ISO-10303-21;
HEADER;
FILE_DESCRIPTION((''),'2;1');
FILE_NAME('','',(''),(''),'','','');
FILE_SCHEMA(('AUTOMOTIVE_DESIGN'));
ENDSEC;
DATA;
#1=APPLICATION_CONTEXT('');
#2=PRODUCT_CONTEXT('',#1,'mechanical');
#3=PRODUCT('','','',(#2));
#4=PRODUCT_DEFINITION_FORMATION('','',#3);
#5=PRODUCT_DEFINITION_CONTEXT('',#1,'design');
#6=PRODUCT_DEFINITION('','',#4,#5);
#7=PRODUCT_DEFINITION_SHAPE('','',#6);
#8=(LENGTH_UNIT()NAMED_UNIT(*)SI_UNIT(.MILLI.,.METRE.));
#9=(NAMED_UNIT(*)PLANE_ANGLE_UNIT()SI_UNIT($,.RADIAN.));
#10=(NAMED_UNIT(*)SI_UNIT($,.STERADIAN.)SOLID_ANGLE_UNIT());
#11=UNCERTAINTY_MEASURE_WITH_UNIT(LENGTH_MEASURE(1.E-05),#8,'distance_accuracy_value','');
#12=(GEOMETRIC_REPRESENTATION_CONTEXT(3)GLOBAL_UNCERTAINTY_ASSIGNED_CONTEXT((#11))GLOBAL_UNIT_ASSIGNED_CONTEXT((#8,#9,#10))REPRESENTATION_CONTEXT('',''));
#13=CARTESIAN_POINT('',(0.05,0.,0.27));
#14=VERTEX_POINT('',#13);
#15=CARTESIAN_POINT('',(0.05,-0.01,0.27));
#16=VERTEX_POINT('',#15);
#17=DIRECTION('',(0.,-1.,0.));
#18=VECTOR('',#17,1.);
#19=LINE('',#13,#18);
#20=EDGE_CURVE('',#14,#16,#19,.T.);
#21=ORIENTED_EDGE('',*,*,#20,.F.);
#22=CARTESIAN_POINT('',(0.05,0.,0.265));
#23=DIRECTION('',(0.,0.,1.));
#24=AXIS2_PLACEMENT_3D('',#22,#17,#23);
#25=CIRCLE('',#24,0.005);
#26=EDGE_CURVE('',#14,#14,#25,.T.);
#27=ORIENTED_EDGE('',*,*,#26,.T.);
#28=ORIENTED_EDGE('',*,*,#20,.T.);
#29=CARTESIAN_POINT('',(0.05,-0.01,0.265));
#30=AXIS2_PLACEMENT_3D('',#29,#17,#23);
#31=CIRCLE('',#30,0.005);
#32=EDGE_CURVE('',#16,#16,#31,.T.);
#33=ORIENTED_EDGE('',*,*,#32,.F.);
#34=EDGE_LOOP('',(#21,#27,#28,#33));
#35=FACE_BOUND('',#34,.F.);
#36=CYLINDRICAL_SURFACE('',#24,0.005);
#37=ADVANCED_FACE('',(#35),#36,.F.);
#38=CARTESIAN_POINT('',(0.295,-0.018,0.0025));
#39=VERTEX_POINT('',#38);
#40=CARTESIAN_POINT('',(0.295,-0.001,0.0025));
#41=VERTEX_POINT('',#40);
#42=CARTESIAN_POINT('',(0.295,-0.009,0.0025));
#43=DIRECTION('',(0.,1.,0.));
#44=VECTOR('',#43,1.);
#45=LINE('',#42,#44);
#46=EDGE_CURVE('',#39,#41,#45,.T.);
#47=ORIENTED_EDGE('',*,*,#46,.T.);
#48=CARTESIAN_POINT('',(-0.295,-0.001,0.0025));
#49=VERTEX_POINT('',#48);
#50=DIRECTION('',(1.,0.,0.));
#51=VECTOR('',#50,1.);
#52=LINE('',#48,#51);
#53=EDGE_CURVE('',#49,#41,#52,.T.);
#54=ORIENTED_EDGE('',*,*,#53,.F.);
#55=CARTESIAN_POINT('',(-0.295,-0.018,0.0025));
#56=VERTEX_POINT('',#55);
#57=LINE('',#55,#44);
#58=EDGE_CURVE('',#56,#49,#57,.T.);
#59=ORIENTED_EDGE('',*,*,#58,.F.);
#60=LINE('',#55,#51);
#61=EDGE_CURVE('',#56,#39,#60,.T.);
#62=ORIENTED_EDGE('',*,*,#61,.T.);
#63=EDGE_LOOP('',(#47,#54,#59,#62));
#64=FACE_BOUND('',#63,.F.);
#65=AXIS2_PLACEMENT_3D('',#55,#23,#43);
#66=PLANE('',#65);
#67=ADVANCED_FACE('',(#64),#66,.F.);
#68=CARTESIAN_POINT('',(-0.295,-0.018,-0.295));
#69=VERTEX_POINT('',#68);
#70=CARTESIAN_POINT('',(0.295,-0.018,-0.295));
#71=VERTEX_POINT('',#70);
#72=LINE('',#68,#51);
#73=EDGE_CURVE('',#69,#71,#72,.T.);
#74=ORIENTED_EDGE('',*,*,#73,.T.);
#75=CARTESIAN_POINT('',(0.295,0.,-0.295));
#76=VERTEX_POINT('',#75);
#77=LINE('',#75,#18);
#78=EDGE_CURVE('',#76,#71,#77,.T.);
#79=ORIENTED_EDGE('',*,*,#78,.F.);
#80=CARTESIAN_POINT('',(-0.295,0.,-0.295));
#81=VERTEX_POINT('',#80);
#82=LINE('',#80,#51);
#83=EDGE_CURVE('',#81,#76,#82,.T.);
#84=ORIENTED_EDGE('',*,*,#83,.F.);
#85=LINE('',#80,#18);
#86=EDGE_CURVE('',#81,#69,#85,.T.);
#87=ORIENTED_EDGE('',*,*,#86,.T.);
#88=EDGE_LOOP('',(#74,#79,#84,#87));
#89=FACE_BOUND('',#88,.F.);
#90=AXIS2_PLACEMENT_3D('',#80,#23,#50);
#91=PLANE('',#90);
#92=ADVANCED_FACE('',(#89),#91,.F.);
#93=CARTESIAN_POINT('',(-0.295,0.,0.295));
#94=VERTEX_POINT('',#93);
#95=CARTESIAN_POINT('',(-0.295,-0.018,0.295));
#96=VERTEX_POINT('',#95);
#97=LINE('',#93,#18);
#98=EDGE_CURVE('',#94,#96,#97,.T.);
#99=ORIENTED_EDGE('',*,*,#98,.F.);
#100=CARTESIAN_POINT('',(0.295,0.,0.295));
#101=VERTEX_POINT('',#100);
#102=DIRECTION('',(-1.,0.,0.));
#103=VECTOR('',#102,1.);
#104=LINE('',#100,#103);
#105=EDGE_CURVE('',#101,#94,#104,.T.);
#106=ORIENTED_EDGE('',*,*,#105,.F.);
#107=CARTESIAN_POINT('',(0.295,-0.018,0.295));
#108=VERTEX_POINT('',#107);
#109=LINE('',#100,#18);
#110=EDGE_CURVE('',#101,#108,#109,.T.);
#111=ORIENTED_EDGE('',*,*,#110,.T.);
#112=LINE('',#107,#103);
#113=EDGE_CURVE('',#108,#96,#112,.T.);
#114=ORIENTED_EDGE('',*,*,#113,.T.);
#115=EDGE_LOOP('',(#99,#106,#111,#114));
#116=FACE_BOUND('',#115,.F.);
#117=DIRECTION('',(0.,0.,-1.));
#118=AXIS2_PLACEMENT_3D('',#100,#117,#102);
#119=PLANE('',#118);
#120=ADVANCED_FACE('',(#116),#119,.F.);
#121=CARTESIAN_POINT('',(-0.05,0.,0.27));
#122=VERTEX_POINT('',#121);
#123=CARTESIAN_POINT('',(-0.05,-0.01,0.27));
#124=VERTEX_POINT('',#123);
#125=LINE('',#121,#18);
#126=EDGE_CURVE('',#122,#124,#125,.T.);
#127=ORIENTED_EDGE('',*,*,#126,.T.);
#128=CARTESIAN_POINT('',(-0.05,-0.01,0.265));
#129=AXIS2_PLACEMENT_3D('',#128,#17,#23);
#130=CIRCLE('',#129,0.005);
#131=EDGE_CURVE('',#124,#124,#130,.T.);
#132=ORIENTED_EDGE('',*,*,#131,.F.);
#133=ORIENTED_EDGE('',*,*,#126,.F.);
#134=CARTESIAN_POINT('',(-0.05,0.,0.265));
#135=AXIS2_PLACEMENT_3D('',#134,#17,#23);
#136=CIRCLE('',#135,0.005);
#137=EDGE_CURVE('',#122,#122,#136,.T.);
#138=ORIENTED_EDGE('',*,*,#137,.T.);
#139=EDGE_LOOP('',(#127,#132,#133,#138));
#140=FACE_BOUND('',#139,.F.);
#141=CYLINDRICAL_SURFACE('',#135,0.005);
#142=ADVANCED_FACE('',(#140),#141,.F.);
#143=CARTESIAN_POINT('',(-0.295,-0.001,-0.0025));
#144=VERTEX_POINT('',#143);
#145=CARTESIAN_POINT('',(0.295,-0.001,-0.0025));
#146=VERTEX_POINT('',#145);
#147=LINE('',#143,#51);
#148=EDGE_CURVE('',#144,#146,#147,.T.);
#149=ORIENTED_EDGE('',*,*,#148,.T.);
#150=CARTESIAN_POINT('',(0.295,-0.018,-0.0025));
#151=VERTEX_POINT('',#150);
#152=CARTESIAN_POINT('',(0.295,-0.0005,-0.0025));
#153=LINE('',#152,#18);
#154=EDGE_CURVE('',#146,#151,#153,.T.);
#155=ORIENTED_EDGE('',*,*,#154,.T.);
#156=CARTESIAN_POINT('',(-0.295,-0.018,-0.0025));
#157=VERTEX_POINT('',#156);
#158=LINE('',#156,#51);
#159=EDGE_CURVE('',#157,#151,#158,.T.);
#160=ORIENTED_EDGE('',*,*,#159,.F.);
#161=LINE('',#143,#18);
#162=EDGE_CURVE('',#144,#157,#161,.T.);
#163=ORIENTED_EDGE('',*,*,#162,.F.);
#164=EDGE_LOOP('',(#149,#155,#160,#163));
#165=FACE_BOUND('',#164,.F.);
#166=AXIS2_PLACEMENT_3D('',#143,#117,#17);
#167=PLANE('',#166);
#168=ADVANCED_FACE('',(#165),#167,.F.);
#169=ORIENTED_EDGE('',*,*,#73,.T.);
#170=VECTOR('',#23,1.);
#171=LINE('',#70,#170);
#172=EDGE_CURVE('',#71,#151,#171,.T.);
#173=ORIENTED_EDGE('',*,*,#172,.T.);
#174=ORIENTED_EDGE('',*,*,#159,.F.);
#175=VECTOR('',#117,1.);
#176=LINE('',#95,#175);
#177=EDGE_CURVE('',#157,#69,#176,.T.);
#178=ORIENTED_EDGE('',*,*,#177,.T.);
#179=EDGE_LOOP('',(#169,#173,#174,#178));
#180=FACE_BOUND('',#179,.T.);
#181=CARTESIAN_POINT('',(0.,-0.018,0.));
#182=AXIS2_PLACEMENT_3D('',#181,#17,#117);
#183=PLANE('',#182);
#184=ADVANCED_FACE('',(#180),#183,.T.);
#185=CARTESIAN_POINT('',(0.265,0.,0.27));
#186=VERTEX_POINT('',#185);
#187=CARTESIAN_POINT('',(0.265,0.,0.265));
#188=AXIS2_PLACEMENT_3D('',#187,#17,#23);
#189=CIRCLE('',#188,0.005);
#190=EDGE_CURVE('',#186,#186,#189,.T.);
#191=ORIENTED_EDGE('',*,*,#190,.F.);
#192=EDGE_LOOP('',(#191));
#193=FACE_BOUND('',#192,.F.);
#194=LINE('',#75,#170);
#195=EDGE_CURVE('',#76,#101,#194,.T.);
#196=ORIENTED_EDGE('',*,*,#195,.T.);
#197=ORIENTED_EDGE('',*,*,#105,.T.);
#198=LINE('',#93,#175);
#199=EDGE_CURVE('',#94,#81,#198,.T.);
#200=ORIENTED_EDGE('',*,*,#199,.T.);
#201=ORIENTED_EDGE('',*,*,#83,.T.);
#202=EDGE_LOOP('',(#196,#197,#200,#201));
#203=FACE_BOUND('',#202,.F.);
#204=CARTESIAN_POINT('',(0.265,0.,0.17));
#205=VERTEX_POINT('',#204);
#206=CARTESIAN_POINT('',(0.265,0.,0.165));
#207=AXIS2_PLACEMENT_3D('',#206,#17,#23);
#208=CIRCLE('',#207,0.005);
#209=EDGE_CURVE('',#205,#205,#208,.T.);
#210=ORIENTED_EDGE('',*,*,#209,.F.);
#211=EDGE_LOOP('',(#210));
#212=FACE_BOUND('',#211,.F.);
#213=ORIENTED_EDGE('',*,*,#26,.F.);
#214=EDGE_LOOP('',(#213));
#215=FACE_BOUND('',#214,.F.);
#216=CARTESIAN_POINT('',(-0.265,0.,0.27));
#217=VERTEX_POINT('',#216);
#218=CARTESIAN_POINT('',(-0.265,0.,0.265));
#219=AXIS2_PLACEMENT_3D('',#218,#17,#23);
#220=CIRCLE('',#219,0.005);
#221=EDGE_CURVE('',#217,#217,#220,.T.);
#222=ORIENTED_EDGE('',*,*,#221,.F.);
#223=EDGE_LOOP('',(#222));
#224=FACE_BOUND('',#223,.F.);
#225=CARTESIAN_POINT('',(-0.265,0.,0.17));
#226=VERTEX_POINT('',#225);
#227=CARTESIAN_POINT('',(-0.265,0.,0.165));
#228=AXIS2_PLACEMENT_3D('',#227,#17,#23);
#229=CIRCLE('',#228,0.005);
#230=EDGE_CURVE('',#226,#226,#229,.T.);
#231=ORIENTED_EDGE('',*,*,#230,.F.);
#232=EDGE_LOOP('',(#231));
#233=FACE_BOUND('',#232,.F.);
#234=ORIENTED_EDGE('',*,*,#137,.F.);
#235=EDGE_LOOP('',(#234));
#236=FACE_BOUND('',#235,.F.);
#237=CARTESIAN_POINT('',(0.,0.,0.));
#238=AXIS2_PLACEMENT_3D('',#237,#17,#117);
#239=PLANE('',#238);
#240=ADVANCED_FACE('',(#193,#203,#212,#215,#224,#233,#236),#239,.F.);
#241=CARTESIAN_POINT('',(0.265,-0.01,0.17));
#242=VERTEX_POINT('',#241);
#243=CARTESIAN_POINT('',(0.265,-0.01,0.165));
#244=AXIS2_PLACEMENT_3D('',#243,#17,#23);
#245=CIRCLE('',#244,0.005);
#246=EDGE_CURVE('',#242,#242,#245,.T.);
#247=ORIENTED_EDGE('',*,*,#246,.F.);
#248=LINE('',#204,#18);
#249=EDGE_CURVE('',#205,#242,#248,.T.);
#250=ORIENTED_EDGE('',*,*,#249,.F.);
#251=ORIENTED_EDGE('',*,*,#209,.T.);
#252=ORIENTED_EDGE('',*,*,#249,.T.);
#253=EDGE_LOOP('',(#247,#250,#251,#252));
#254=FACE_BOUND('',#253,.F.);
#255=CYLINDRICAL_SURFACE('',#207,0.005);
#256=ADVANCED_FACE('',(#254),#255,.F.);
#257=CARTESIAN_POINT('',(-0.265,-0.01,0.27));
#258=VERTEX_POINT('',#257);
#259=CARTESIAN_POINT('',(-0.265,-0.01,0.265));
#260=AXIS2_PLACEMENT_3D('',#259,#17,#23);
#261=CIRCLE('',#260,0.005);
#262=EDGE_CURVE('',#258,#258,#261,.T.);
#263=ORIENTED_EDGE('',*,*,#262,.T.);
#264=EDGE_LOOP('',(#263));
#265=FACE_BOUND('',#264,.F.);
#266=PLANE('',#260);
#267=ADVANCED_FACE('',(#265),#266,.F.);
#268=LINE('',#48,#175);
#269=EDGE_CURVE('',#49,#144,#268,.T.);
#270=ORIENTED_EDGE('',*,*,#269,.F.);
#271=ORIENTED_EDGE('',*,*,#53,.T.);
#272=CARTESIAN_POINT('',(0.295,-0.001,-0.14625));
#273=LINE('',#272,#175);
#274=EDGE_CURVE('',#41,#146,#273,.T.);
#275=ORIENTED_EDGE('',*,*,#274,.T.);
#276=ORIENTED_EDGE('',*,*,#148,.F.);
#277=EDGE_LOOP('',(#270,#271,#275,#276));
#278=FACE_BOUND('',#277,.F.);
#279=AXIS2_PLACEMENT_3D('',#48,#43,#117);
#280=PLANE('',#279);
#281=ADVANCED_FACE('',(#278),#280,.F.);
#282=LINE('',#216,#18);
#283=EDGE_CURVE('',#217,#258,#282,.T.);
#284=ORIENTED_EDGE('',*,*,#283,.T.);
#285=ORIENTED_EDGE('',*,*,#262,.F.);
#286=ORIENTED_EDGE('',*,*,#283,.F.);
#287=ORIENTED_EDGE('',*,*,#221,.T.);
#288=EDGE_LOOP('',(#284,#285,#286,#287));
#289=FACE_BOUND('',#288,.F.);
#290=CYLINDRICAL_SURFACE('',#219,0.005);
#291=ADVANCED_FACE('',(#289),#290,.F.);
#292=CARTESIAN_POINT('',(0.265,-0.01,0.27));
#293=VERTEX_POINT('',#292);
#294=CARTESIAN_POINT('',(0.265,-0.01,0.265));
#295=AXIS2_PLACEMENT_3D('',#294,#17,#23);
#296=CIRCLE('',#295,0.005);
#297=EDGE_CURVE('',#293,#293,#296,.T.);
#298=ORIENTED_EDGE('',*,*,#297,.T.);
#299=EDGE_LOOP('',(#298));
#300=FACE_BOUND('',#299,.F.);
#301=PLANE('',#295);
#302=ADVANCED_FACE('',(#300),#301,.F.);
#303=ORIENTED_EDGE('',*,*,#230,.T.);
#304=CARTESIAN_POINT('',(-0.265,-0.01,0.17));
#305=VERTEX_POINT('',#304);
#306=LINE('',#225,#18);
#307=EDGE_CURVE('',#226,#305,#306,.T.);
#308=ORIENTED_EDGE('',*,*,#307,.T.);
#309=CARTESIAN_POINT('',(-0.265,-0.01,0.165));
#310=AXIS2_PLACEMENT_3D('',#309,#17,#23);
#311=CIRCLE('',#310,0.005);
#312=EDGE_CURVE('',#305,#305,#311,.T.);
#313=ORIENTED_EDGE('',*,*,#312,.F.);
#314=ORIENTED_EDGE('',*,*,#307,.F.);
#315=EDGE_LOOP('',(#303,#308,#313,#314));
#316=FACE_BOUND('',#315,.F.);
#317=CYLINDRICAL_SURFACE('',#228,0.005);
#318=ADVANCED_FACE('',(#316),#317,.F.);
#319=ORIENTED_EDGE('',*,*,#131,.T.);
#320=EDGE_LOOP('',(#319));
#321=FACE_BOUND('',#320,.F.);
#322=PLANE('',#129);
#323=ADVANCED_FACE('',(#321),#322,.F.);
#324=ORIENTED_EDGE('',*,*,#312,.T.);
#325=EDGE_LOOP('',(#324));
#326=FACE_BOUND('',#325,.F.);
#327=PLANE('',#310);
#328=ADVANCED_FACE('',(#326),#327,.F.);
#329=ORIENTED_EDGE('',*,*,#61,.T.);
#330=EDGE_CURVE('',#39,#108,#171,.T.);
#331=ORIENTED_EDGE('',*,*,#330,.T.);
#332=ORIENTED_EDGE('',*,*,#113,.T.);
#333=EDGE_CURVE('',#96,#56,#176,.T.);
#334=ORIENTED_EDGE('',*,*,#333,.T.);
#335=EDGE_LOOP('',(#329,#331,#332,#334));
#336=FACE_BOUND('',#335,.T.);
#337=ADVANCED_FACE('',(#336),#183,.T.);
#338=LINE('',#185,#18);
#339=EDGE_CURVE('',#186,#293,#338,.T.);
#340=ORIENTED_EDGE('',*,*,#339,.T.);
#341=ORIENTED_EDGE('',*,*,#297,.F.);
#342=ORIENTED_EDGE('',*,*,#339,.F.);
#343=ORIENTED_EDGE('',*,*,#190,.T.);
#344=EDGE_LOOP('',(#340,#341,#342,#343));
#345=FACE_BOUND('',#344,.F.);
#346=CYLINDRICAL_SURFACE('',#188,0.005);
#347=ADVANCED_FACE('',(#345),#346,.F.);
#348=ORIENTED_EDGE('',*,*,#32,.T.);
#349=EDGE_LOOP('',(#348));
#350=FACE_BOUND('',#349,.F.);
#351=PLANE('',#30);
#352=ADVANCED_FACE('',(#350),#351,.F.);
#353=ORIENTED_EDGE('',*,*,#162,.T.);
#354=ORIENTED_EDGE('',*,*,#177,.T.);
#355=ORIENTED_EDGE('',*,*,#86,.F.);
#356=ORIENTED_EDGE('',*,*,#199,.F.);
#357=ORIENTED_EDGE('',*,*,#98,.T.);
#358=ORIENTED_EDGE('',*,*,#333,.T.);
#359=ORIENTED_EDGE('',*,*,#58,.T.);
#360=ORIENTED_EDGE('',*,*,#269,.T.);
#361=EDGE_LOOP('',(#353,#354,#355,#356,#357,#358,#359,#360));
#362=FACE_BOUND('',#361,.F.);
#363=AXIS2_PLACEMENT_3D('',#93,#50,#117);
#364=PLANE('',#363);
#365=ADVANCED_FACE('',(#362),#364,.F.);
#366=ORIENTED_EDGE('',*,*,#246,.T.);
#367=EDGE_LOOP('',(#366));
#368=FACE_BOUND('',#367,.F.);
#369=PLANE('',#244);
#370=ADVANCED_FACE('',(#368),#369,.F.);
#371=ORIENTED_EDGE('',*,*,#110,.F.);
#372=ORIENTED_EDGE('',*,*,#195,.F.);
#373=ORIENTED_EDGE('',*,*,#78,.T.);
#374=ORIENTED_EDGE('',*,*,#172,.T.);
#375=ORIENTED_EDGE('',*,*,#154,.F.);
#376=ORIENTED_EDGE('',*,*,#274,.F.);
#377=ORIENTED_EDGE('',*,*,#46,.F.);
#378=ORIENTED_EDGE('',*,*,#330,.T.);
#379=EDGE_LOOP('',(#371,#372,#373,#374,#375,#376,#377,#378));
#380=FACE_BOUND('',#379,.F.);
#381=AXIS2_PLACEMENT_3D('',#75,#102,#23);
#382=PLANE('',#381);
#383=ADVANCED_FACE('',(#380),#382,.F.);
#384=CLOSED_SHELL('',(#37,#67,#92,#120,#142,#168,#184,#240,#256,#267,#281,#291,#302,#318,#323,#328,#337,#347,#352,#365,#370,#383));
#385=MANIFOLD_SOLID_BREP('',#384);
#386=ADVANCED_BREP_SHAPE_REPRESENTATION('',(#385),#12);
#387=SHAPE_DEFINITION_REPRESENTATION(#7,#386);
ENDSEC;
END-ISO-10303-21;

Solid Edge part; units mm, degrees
sketch "Sketch1" plane through (0, 0, 0) normal (0, -1, 0) x (1, 0, 0)
  line L0 (-0.295, -0.295) -> (0.295, -0.295)
  line L1 (0.295, -0.295) -> (0.295, 0.295)
  line L2 (0.295, 0.295) -> (-0.295, 0.295)
  line L3 (-0.295, 0.295) -> (-0.295, -0.295)
  dimension "D1" = 0.59
  dimension "D2" = 0.59
extrude "Protrusion1" add sketch "Sketch1" along normal blind 0.018
hole "Bohrung_1" at (-0.05, 0, 0.265) direction (0, -1, 0) diameter 0.01 depth 0.01
hole "Hole1" at (0.05, 0, 0.265) direction (0, -1, 0) diameter 0.01 depth 0.01
hole "Hole2" at (0.265, 0, 0.265) direction (0, -1, 0) diameter 0.01 depth 0.01
hole "Hole3" at (0.265, 0, 0.165) direction (0, -1, 0) diameter 0.01 depth 0.01
hole "Hole4" at (-0.265, 0, 0.165) direction (0, -1, 0) diameter 0.01 depth 0.01
hole "Hole5" at (-0.265, 0, 0.265) direction (0, -1, 0) diameter 0.01 depth 0.01
sketch "Sketch2" plane through (-0.295, -0.009, 0) normal (-1, 0, 0) x (0, 0, 1)
  line L0 (-0.0025, -0.009) -> (0.0025, -0.009)
  line L1 (0.0025, -0.009) -> (0.0025, 0.008)
  line L2 (0.0025, 0.008) -> (-0.0025, 0.008)
  line L3 (-0.0025, 0.008) -> (-0.0025, -0.009)
  dimension "D1" = 0.017
  dimension "D2" = 0.005
extrude "Cutout1" cut sketch "Sketch2" against normal through all
